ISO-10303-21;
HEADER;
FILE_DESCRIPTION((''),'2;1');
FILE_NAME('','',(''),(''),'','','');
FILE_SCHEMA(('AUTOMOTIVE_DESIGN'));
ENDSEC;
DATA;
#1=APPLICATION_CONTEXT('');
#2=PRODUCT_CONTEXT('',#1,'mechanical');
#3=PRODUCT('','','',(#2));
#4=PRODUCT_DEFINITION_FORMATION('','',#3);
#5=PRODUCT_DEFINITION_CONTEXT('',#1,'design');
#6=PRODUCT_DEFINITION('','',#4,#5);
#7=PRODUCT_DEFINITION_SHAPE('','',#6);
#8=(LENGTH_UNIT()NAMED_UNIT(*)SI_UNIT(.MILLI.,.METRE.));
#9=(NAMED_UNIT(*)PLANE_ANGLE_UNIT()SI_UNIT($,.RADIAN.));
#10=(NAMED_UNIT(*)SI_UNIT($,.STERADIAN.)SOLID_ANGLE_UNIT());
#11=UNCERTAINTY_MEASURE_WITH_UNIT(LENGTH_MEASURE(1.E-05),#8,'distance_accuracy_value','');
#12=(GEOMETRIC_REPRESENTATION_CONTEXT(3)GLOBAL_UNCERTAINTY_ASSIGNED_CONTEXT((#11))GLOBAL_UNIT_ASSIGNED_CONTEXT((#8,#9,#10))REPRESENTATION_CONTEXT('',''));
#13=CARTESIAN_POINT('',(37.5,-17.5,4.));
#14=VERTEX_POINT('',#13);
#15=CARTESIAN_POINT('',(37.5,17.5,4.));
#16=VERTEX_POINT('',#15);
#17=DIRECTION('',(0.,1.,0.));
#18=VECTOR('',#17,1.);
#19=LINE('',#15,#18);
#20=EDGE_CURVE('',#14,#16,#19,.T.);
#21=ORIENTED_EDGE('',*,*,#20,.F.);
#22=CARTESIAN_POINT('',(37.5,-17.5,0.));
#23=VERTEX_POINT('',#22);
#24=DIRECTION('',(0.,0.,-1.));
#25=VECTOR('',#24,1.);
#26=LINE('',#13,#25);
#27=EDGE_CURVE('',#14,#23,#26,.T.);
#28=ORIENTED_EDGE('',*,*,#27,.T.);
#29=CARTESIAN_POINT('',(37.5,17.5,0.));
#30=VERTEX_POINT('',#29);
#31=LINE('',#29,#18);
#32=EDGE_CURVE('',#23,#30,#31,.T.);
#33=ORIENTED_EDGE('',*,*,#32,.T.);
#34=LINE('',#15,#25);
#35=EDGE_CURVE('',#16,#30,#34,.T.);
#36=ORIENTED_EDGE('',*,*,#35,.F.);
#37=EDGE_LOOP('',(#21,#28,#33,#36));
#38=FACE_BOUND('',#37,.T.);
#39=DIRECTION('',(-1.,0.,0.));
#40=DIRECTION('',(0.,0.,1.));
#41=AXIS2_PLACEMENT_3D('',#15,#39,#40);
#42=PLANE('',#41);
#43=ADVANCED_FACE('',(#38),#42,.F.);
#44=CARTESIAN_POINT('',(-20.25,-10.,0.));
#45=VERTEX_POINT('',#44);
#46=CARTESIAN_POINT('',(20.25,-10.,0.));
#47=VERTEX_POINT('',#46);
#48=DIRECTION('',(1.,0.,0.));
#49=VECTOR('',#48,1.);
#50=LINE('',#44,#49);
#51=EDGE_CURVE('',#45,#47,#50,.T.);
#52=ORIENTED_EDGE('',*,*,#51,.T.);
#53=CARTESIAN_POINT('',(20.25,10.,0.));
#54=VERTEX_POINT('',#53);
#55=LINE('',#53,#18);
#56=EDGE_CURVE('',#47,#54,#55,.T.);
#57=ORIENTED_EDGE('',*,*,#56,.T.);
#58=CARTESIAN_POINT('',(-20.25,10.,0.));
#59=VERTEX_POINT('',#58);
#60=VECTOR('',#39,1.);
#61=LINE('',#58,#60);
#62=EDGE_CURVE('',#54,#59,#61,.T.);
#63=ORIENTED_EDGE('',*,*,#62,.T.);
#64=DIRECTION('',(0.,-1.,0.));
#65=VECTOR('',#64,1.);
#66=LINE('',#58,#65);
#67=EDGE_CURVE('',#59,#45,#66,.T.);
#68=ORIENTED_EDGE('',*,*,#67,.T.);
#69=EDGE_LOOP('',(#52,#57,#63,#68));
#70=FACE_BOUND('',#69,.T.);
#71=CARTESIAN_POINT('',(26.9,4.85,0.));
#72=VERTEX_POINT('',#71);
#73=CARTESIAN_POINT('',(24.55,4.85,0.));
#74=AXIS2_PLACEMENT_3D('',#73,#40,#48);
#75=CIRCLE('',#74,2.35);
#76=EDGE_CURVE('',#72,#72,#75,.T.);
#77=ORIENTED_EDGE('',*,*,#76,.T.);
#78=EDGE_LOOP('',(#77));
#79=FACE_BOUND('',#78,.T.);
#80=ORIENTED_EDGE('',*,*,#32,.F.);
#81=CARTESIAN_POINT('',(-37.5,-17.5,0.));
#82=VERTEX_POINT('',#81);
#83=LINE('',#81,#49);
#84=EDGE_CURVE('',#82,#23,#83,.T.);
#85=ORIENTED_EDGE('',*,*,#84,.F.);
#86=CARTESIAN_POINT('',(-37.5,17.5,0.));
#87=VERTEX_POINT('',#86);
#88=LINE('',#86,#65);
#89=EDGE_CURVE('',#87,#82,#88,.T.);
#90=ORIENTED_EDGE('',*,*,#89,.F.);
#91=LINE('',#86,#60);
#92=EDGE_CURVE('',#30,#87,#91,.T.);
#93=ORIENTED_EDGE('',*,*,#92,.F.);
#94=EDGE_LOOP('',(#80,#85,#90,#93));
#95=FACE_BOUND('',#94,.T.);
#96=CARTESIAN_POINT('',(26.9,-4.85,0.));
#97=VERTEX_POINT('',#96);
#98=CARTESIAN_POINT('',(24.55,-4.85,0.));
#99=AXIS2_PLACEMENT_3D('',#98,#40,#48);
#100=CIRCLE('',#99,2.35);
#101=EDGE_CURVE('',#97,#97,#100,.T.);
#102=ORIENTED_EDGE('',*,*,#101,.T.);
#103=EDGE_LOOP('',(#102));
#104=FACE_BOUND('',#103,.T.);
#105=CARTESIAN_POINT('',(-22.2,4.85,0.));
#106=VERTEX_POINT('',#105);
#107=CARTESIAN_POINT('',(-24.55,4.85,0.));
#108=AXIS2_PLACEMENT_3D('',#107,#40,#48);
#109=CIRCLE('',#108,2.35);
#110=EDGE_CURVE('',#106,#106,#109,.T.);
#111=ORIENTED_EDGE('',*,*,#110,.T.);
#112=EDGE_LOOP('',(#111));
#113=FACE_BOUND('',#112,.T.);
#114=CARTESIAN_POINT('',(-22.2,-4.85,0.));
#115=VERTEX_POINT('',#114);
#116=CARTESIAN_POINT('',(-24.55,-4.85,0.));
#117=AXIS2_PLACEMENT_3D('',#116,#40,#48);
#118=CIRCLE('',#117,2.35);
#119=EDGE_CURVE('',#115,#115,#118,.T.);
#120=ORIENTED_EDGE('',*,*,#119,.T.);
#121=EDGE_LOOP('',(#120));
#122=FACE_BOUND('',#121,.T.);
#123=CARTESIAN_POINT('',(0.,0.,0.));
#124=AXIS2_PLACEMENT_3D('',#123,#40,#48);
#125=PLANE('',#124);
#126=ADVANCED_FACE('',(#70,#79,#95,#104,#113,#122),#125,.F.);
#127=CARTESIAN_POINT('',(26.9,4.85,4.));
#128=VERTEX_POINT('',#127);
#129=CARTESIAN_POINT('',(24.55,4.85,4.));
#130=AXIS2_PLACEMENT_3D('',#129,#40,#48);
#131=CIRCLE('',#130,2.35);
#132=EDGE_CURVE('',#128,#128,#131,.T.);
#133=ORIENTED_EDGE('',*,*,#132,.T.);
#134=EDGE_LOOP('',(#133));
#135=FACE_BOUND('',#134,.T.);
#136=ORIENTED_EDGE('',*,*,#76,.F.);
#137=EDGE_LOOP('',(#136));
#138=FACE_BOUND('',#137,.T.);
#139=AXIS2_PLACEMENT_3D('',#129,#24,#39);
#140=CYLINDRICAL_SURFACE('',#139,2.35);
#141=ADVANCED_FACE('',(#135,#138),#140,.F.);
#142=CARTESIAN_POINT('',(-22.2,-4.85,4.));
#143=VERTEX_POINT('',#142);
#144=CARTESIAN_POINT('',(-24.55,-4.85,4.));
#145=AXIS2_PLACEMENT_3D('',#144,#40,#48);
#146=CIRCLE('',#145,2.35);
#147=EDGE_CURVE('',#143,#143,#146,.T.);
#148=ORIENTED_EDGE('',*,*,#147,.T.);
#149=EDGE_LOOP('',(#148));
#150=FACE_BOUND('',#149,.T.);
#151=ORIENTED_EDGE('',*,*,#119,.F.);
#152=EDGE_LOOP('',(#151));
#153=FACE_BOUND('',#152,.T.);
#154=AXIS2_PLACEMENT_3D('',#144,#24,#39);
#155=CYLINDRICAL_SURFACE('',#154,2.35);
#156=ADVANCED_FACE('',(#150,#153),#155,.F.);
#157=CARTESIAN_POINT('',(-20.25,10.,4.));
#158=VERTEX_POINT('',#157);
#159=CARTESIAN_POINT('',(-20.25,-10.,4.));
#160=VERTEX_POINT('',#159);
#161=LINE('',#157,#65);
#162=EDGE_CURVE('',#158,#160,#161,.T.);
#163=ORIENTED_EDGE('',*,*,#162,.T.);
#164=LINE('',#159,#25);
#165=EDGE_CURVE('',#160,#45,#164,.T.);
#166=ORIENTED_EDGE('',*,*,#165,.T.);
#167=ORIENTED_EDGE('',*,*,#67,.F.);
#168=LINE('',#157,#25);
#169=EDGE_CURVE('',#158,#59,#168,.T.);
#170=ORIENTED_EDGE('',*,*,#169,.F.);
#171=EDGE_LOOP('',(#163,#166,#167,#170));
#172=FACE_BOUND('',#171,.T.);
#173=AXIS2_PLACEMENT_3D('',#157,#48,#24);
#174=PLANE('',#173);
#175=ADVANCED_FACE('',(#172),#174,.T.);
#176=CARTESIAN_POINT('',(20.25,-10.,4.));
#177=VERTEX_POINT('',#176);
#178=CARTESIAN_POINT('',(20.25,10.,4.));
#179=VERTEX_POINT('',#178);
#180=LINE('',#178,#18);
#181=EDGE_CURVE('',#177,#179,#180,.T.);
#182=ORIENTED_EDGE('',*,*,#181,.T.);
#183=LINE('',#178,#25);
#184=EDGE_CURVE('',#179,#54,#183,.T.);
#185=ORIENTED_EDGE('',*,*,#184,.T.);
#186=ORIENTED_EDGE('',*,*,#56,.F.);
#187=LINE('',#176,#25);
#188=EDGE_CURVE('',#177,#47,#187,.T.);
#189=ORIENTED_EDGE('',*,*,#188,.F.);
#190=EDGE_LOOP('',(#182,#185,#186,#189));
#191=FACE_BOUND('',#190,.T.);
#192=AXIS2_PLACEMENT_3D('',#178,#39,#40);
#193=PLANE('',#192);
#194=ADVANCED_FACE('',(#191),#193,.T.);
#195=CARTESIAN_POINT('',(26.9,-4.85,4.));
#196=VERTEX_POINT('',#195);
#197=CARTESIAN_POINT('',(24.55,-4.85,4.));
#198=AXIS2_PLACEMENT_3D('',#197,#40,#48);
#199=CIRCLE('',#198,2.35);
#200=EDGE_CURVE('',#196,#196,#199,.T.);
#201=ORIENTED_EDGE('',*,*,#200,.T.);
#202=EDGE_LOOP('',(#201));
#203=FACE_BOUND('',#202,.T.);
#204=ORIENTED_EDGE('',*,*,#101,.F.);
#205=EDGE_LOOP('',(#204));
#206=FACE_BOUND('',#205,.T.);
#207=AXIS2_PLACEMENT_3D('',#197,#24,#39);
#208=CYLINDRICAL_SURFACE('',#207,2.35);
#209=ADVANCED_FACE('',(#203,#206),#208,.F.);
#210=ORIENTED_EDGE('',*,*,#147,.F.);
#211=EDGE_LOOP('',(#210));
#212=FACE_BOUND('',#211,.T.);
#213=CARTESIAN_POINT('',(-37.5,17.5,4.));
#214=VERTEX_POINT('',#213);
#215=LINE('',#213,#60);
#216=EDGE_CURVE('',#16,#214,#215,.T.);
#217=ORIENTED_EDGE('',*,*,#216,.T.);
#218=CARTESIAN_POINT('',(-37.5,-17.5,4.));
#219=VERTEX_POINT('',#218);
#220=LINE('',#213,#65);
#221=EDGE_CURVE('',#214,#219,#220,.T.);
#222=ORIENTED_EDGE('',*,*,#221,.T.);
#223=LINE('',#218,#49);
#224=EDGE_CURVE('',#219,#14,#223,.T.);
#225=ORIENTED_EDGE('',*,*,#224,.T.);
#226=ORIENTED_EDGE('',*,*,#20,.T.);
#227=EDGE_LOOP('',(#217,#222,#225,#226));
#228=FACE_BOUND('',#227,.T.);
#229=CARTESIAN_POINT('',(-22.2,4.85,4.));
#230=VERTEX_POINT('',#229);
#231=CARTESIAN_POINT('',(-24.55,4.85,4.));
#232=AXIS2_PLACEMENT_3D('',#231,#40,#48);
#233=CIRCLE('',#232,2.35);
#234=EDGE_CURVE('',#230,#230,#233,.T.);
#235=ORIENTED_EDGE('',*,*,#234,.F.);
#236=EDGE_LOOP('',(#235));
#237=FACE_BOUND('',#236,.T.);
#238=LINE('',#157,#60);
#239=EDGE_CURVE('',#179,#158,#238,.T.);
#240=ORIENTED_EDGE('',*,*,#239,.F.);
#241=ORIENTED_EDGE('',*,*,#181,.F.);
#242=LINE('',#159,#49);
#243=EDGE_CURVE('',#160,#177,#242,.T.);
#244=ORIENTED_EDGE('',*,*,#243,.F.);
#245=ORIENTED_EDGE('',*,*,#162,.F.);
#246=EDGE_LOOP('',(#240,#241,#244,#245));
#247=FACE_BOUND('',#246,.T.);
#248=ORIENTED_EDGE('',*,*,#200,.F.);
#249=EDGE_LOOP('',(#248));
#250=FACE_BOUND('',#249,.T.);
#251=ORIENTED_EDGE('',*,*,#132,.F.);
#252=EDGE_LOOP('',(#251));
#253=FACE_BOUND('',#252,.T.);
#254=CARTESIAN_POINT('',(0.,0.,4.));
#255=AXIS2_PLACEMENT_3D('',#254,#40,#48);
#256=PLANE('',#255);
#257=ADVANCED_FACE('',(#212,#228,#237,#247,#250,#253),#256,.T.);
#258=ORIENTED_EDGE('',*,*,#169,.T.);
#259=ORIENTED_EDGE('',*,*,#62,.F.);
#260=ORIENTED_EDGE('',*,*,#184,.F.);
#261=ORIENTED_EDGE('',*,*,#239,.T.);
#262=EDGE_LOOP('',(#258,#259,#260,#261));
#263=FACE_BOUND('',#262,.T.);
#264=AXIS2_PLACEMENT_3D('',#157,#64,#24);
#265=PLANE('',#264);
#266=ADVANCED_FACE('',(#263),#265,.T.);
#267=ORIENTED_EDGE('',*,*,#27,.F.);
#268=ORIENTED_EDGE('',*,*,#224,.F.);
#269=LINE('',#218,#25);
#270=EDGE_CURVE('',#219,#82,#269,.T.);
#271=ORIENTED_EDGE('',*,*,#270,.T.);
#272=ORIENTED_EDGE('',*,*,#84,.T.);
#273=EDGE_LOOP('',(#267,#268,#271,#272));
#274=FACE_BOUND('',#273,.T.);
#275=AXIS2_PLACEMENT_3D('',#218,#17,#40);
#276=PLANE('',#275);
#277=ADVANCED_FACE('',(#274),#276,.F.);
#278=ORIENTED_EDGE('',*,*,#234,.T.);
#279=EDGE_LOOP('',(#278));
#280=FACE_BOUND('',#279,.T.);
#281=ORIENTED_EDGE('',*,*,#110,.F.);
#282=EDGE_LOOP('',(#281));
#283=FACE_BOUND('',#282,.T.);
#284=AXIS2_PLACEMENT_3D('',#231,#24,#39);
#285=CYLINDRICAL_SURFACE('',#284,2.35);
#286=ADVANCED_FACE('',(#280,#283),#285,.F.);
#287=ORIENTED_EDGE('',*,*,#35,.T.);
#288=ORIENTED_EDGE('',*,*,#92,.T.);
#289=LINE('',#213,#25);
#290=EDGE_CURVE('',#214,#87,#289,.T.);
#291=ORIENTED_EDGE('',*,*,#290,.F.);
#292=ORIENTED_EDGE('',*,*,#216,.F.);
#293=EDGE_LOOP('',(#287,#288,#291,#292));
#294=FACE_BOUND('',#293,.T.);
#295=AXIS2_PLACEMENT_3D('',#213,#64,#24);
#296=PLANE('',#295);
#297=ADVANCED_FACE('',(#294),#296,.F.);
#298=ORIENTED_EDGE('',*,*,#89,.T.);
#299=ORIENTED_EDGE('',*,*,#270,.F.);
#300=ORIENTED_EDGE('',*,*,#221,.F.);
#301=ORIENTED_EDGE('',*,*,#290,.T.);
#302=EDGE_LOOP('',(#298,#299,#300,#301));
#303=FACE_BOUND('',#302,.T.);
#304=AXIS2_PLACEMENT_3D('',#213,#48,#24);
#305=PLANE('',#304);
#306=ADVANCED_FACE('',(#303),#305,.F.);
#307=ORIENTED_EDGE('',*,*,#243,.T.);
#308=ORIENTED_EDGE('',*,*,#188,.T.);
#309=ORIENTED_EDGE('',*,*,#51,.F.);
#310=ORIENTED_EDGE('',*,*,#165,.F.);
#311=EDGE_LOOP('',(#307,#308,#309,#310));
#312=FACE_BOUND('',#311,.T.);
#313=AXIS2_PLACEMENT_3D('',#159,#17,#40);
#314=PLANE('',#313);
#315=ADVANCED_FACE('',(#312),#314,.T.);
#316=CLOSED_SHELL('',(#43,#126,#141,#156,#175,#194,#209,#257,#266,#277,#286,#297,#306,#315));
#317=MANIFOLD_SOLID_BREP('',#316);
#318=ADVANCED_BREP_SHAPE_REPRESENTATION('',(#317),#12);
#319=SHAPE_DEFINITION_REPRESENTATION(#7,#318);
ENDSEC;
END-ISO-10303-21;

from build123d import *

# Parameters (mm, degrees)
SKETCH1_W           = 75
SKETCH1_H           = 35
SKETCH1_R           = 2.35
SKETCH1_W_2         = 40.5
SKETCH1_H_2         = 20
BOSS_EXTRUDE1_DEPTH = 4


with BuildPart() as part:
    # Sketch1 → Boss-Extrude1 (new body)
    with BuildSketch(Plane.XY):
        Rectangle(SKETCH1_W, SKETCH1_H)
        with Locations((-24.55, 4.85)):
            Circle(SKETCH1_R, mode=Mode.SUBTRACT)
        with Locations((-24.55, -4.85)):
            Circle(SKETCH1_R, mode=Mode.SUBTRACT)
        with Locations((24.55, -4.85)):
            Circle(SKETCH1_R, mode=Mode.SUBTRACT)
        with Locations((24.55, 4.85)):
            Circle(SKETCH1_R, mode=Mode.SUBTRACT)
        Rectangle(SKETCH1_W_2, SKETCH1_H_2, mode=Mode.SUBTRACT)
    extrude(amount=BOSS_EXTRUDE1_DEPTH)


solid = part.part
